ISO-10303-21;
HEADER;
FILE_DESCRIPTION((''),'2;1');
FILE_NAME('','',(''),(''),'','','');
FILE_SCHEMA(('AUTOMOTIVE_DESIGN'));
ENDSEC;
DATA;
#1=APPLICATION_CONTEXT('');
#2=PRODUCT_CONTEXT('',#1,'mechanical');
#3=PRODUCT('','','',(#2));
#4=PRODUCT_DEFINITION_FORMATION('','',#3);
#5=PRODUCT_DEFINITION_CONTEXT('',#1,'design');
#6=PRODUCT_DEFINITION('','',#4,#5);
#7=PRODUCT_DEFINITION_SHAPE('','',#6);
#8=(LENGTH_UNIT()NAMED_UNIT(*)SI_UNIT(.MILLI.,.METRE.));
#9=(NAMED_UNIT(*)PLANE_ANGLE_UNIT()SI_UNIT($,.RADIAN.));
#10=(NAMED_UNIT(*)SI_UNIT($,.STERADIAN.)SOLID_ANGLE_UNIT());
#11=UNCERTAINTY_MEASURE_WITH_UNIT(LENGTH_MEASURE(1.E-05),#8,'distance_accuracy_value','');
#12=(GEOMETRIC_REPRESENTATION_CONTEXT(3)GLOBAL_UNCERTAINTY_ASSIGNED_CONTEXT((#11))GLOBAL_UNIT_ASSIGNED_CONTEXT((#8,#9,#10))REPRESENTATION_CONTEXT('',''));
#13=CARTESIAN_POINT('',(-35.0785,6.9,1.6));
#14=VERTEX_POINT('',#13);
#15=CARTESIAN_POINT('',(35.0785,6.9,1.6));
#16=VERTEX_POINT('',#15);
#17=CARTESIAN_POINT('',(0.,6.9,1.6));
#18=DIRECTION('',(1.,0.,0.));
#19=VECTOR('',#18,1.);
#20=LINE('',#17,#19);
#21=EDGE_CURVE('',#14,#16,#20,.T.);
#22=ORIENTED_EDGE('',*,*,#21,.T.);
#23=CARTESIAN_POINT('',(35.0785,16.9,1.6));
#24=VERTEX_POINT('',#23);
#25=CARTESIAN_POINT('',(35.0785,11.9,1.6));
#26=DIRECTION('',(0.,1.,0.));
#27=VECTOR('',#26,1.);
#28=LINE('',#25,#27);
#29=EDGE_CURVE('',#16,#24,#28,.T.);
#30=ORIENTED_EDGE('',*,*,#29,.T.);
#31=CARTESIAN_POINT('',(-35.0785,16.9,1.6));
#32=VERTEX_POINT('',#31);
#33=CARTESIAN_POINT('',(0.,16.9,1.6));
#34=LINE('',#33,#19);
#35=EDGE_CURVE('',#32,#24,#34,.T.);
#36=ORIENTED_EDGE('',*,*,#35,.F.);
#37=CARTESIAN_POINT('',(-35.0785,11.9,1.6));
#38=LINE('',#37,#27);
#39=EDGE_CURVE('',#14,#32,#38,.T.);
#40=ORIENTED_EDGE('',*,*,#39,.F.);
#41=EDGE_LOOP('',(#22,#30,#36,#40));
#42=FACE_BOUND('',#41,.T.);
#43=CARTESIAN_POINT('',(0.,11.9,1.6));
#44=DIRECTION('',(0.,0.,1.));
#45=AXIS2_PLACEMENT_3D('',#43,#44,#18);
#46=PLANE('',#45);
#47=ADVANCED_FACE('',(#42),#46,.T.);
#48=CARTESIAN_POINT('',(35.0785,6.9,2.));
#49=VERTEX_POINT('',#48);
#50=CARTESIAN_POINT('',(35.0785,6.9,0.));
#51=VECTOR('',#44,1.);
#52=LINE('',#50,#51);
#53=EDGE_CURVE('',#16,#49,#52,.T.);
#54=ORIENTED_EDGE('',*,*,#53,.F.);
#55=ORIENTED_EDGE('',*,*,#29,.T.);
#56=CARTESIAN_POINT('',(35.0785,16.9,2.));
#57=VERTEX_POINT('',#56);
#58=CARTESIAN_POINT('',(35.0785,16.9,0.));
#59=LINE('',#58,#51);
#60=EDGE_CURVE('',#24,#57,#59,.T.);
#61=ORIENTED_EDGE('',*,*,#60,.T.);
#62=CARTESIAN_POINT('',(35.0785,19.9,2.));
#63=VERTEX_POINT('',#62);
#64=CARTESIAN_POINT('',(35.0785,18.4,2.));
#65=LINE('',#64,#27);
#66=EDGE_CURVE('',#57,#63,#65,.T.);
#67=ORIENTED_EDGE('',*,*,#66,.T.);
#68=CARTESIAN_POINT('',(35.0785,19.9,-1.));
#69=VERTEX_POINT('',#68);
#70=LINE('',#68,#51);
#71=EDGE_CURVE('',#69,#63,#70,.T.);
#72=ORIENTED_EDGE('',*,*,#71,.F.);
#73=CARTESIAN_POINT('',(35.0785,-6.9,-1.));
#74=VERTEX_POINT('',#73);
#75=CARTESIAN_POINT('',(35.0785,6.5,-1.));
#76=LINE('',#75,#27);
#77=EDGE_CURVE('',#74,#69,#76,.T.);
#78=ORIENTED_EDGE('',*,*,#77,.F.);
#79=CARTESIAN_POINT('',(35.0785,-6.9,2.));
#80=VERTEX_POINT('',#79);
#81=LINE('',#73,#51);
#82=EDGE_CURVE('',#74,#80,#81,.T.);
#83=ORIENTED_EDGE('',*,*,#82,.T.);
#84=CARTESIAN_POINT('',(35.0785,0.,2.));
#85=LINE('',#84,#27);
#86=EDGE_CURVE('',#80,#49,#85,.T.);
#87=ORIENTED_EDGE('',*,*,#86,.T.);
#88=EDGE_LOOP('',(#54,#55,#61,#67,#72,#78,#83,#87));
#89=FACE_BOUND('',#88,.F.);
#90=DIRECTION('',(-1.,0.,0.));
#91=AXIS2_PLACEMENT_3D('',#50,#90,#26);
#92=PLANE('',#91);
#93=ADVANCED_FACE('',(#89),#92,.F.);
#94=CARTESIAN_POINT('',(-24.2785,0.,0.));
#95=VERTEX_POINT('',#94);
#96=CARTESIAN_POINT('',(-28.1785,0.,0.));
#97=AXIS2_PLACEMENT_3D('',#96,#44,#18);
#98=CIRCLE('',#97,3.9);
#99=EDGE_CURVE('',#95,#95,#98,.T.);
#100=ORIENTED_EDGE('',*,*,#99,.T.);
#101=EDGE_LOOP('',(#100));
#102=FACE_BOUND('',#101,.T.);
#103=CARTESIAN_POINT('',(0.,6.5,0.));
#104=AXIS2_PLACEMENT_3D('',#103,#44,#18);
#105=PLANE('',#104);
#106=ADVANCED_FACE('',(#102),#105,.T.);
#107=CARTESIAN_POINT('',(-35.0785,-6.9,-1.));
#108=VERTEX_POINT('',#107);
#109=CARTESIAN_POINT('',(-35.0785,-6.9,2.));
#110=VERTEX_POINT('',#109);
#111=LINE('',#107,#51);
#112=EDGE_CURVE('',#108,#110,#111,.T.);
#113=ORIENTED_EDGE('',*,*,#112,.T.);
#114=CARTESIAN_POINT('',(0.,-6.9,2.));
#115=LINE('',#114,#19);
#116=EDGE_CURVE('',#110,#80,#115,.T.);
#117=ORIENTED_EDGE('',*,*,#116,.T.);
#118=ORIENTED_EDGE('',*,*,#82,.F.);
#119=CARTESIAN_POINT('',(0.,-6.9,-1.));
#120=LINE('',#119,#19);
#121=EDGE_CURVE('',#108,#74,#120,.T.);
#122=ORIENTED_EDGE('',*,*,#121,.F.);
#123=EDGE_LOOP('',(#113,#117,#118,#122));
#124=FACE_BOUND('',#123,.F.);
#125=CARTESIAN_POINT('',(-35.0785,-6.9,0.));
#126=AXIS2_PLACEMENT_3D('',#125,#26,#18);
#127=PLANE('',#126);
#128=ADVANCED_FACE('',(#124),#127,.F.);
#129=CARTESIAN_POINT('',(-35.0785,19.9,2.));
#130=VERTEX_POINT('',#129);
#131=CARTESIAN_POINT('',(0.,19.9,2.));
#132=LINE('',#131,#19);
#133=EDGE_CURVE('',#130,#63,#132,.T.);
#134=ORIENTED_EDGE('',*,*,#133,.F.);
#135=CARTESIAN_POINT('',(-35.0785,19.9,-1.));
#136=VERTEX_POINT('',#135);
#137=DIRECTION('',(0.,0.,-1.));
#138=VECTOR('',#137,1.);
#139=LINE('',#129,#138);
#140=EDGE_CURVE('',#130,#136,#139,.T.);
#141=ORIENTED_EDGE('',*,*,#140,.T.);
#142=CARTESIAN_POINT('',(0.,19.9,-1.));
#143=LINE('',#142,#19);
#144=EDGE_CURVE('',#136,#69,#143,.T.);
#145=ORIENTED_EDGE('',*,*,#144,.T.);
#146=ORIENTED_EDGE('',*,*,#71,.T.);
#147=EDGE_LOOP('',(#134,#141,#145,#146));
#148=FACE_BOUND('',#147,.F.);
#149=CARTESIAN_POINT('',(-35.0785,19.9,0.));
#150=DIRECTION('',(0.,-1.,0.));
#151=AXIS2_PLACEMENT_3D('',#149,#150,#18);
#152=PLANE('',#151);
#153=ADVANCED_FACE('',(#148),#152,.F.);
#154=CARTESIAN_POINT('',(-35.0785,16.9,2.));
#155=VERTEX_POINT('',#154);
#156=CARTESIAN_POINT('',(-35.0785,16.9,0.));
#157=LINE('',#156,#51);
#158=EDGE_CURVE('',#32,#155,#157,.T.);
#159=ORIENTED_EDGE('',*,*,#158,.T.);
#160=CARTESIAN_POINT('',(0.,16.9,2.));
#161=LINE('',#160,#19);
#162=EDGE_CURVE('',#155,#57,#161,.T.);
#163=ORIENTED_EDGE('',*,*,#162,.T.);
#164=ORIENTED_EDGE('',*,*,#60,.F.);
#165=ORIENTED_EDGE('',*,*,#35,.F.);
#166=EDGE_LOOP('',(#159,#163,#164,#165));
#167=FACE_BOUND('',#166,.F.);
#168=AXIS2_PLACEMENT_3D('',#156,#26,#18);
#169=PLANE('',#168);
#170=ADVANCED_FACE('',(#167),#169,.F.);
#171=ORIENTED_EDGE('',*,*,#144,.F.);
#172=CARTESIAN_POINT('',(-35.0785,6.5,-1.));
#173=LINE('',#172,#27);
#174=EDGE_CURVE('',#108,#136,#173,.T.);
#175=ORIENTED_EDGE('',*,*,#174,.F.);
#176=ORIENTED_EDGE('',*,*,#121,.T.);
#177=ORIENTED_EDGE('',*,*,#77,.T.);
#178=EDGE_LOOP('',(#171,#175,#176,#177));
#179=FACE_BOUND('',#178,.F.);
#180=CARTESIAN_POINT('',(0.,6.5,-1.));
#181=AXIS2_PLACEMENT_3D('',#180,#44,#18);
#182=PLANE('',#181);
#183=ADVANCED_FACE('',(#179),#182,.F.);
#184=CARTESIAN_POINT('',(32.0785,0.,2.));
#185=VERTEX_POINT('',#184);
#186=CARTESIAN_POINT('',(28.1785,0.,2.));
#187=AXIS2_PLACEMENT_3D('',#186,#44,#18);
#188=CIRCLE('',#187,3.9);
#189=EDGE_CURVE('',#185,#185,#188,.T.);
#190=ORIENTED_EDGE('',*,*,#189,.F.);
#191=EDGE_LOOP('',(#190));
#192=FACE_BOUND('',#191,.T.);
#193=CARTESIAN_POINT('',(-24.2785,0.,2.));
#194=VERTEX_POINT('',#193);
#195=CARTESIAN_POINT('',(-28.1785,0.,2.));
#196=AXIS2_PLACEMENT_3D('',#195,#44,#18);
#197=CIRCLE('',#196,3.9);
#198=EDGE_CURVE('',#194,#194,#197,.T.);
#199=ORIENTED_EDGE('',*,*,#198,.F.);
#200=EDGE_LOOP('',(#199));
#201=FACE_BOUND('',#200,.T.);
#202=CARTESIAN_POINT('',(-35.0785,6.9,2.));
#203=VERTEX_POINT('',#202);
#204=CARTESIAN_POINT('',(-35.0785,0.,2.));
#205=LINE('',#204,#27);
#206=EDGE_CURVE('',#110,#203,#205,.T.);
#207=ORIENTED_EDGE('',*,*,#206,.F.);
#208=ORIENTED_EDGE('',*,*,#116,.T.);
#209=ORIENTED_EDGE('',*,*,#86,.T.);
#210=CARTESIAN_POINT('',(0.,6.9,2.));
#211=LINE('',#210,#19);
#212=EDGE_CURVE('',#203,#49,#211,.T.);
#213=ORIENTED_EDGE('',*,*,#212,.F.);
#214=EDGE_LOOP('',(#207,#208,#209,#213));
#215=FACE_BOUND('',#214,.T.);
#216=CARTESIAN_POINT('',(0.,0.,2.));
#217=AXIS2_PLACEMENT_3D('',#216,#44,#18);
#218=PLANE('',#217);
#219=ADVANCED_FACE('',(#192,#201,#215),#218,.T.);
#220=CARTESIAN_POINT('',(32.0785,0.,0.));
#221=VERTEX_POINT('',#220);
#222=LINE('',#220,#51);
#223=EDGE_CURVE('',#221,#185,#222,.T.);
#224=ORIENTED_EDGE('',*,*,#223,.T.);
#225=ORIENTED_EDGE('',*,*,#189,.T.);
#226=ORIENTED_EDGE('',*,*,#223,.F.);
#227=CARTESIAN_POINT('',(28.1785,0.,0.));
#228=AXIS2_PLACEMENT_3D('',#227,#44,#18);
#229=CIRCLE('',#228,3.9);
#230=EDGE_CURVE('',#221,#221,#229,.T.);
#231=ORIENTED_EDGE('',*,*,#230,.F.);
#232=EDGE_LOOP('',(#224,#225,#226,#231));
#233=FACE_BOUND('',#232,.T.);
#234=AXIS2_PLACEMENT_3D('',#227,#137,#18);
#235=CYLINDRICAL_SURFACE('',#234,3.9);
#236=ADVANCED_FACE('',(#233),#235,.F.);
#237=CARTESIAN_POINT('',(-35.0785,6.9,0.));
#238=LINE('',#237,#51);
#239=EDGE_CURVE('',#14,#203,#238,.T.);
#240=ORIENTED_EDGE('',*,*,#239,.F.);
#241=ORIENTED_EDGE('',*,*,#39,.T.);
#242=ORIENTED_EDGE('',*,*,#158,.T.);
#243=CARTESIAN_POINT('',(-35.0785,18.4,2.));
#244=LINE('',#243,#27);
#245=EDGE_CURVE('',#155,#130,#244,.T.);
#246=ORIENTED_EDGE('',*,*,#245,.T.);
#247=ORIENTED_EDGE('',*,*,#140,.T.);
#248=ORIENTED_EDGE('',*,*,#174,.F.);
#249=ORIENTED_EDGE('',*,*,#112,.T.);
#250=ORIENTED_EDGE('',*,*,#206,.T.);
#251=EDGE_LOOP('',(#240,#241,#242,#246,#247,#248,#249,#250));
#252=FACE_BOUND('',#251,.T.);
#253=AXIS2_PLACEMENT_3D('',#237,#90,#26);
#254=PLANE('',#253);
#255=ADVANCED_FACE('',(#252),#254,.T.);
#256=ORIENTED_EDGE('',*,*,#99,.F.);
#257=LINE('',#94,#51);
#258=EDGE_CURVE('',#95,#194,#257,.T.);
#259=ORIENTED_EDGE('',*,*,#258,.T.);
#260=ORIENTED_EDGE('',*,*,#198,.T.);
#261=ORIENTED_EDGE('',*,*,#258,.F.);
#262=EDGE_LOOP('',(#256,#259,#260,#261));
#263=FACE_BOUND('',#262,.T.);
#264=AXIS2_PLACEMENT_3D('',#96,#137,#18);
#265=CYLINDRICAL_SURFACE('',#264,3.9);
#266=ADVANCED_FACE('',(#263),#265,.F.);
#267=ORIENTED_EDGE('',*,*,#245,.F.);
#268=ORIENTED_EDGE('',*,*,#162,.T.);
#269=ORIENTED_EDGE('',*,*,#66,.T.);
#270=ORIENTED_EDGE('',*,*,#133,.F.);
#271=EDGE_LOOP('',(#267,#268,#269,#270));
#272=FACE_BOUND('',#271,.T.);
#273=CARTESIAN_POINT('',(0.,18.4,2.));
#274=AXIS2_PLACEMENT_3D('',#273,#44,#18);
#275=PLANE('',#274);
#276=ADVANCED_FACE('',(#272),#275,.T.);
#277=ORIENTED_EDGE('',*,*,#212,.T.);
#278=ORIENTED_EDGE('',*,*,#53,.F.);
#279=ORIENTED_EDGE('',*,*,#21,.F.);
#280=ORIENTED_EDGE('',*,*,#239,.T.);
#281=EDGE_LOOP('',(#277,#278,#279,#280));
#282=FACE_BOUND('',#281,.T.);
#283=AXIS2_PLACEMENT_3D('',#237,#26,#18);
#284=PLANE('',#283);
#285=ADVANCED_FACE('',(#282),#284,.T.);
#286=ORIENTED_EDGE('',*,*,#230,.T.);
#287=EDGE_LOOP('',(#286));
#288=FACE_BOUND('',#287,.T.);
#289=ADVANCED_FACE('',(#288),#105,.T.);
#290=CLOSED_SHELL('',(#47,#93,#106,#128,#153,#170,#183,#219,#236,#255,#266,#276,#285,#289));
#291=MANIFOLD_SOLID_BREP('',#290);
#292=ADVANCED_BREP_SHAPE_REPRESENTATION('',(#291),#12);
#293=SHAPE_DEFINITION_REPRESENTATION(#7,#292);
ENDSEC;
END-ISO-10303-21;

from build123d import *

# Parameters (mm, degrees)
F1_W     = 70.157
F1_H     = 26.8
F2_DEPTH = 1
F0_W     = 70.157
F0_H     = 13.8
F0_R     = 3.9
F0_H_2   = 3
F3_DEPTH = 2
F0_H_3   = 10
F4_DEPTH = 1.6


with BuildPart() as f2:
    # F1 (on Top) → F2 (new body)
    with BuildSketch(Plane.XY):
        with Locations((0, 6.5)):
            Rectangle(F1_W, F1_H)
    extrude(amount=-F2_DEPTH)

    # F0 (on Top) → F3 (join)
    with BuildSketch(Plane.XY):
        Rectangle(F0_W, F0_H)
        with Locations((-28.1785, 0)):
            Circle(F0_R, mode=Mode.SUBTRACT)
        with Locations((28.1785, 0)):
            Circle(F0_R, mode=Mode.SUBTRACT)
        with Locations((0, 18.4)):
            Rectangle(F0_W, F0_H_2)
    extrude(amount=F3_DEPTH)

    # F0 (on Top) → F4 (join)
    with BuildSketch(Plane.XY):
        with Locations((0, 11.9)):
            Rectangle(F0_W, F0_H_3)
    extrude(amount=F4_DEPTH)


solid = f2.part
